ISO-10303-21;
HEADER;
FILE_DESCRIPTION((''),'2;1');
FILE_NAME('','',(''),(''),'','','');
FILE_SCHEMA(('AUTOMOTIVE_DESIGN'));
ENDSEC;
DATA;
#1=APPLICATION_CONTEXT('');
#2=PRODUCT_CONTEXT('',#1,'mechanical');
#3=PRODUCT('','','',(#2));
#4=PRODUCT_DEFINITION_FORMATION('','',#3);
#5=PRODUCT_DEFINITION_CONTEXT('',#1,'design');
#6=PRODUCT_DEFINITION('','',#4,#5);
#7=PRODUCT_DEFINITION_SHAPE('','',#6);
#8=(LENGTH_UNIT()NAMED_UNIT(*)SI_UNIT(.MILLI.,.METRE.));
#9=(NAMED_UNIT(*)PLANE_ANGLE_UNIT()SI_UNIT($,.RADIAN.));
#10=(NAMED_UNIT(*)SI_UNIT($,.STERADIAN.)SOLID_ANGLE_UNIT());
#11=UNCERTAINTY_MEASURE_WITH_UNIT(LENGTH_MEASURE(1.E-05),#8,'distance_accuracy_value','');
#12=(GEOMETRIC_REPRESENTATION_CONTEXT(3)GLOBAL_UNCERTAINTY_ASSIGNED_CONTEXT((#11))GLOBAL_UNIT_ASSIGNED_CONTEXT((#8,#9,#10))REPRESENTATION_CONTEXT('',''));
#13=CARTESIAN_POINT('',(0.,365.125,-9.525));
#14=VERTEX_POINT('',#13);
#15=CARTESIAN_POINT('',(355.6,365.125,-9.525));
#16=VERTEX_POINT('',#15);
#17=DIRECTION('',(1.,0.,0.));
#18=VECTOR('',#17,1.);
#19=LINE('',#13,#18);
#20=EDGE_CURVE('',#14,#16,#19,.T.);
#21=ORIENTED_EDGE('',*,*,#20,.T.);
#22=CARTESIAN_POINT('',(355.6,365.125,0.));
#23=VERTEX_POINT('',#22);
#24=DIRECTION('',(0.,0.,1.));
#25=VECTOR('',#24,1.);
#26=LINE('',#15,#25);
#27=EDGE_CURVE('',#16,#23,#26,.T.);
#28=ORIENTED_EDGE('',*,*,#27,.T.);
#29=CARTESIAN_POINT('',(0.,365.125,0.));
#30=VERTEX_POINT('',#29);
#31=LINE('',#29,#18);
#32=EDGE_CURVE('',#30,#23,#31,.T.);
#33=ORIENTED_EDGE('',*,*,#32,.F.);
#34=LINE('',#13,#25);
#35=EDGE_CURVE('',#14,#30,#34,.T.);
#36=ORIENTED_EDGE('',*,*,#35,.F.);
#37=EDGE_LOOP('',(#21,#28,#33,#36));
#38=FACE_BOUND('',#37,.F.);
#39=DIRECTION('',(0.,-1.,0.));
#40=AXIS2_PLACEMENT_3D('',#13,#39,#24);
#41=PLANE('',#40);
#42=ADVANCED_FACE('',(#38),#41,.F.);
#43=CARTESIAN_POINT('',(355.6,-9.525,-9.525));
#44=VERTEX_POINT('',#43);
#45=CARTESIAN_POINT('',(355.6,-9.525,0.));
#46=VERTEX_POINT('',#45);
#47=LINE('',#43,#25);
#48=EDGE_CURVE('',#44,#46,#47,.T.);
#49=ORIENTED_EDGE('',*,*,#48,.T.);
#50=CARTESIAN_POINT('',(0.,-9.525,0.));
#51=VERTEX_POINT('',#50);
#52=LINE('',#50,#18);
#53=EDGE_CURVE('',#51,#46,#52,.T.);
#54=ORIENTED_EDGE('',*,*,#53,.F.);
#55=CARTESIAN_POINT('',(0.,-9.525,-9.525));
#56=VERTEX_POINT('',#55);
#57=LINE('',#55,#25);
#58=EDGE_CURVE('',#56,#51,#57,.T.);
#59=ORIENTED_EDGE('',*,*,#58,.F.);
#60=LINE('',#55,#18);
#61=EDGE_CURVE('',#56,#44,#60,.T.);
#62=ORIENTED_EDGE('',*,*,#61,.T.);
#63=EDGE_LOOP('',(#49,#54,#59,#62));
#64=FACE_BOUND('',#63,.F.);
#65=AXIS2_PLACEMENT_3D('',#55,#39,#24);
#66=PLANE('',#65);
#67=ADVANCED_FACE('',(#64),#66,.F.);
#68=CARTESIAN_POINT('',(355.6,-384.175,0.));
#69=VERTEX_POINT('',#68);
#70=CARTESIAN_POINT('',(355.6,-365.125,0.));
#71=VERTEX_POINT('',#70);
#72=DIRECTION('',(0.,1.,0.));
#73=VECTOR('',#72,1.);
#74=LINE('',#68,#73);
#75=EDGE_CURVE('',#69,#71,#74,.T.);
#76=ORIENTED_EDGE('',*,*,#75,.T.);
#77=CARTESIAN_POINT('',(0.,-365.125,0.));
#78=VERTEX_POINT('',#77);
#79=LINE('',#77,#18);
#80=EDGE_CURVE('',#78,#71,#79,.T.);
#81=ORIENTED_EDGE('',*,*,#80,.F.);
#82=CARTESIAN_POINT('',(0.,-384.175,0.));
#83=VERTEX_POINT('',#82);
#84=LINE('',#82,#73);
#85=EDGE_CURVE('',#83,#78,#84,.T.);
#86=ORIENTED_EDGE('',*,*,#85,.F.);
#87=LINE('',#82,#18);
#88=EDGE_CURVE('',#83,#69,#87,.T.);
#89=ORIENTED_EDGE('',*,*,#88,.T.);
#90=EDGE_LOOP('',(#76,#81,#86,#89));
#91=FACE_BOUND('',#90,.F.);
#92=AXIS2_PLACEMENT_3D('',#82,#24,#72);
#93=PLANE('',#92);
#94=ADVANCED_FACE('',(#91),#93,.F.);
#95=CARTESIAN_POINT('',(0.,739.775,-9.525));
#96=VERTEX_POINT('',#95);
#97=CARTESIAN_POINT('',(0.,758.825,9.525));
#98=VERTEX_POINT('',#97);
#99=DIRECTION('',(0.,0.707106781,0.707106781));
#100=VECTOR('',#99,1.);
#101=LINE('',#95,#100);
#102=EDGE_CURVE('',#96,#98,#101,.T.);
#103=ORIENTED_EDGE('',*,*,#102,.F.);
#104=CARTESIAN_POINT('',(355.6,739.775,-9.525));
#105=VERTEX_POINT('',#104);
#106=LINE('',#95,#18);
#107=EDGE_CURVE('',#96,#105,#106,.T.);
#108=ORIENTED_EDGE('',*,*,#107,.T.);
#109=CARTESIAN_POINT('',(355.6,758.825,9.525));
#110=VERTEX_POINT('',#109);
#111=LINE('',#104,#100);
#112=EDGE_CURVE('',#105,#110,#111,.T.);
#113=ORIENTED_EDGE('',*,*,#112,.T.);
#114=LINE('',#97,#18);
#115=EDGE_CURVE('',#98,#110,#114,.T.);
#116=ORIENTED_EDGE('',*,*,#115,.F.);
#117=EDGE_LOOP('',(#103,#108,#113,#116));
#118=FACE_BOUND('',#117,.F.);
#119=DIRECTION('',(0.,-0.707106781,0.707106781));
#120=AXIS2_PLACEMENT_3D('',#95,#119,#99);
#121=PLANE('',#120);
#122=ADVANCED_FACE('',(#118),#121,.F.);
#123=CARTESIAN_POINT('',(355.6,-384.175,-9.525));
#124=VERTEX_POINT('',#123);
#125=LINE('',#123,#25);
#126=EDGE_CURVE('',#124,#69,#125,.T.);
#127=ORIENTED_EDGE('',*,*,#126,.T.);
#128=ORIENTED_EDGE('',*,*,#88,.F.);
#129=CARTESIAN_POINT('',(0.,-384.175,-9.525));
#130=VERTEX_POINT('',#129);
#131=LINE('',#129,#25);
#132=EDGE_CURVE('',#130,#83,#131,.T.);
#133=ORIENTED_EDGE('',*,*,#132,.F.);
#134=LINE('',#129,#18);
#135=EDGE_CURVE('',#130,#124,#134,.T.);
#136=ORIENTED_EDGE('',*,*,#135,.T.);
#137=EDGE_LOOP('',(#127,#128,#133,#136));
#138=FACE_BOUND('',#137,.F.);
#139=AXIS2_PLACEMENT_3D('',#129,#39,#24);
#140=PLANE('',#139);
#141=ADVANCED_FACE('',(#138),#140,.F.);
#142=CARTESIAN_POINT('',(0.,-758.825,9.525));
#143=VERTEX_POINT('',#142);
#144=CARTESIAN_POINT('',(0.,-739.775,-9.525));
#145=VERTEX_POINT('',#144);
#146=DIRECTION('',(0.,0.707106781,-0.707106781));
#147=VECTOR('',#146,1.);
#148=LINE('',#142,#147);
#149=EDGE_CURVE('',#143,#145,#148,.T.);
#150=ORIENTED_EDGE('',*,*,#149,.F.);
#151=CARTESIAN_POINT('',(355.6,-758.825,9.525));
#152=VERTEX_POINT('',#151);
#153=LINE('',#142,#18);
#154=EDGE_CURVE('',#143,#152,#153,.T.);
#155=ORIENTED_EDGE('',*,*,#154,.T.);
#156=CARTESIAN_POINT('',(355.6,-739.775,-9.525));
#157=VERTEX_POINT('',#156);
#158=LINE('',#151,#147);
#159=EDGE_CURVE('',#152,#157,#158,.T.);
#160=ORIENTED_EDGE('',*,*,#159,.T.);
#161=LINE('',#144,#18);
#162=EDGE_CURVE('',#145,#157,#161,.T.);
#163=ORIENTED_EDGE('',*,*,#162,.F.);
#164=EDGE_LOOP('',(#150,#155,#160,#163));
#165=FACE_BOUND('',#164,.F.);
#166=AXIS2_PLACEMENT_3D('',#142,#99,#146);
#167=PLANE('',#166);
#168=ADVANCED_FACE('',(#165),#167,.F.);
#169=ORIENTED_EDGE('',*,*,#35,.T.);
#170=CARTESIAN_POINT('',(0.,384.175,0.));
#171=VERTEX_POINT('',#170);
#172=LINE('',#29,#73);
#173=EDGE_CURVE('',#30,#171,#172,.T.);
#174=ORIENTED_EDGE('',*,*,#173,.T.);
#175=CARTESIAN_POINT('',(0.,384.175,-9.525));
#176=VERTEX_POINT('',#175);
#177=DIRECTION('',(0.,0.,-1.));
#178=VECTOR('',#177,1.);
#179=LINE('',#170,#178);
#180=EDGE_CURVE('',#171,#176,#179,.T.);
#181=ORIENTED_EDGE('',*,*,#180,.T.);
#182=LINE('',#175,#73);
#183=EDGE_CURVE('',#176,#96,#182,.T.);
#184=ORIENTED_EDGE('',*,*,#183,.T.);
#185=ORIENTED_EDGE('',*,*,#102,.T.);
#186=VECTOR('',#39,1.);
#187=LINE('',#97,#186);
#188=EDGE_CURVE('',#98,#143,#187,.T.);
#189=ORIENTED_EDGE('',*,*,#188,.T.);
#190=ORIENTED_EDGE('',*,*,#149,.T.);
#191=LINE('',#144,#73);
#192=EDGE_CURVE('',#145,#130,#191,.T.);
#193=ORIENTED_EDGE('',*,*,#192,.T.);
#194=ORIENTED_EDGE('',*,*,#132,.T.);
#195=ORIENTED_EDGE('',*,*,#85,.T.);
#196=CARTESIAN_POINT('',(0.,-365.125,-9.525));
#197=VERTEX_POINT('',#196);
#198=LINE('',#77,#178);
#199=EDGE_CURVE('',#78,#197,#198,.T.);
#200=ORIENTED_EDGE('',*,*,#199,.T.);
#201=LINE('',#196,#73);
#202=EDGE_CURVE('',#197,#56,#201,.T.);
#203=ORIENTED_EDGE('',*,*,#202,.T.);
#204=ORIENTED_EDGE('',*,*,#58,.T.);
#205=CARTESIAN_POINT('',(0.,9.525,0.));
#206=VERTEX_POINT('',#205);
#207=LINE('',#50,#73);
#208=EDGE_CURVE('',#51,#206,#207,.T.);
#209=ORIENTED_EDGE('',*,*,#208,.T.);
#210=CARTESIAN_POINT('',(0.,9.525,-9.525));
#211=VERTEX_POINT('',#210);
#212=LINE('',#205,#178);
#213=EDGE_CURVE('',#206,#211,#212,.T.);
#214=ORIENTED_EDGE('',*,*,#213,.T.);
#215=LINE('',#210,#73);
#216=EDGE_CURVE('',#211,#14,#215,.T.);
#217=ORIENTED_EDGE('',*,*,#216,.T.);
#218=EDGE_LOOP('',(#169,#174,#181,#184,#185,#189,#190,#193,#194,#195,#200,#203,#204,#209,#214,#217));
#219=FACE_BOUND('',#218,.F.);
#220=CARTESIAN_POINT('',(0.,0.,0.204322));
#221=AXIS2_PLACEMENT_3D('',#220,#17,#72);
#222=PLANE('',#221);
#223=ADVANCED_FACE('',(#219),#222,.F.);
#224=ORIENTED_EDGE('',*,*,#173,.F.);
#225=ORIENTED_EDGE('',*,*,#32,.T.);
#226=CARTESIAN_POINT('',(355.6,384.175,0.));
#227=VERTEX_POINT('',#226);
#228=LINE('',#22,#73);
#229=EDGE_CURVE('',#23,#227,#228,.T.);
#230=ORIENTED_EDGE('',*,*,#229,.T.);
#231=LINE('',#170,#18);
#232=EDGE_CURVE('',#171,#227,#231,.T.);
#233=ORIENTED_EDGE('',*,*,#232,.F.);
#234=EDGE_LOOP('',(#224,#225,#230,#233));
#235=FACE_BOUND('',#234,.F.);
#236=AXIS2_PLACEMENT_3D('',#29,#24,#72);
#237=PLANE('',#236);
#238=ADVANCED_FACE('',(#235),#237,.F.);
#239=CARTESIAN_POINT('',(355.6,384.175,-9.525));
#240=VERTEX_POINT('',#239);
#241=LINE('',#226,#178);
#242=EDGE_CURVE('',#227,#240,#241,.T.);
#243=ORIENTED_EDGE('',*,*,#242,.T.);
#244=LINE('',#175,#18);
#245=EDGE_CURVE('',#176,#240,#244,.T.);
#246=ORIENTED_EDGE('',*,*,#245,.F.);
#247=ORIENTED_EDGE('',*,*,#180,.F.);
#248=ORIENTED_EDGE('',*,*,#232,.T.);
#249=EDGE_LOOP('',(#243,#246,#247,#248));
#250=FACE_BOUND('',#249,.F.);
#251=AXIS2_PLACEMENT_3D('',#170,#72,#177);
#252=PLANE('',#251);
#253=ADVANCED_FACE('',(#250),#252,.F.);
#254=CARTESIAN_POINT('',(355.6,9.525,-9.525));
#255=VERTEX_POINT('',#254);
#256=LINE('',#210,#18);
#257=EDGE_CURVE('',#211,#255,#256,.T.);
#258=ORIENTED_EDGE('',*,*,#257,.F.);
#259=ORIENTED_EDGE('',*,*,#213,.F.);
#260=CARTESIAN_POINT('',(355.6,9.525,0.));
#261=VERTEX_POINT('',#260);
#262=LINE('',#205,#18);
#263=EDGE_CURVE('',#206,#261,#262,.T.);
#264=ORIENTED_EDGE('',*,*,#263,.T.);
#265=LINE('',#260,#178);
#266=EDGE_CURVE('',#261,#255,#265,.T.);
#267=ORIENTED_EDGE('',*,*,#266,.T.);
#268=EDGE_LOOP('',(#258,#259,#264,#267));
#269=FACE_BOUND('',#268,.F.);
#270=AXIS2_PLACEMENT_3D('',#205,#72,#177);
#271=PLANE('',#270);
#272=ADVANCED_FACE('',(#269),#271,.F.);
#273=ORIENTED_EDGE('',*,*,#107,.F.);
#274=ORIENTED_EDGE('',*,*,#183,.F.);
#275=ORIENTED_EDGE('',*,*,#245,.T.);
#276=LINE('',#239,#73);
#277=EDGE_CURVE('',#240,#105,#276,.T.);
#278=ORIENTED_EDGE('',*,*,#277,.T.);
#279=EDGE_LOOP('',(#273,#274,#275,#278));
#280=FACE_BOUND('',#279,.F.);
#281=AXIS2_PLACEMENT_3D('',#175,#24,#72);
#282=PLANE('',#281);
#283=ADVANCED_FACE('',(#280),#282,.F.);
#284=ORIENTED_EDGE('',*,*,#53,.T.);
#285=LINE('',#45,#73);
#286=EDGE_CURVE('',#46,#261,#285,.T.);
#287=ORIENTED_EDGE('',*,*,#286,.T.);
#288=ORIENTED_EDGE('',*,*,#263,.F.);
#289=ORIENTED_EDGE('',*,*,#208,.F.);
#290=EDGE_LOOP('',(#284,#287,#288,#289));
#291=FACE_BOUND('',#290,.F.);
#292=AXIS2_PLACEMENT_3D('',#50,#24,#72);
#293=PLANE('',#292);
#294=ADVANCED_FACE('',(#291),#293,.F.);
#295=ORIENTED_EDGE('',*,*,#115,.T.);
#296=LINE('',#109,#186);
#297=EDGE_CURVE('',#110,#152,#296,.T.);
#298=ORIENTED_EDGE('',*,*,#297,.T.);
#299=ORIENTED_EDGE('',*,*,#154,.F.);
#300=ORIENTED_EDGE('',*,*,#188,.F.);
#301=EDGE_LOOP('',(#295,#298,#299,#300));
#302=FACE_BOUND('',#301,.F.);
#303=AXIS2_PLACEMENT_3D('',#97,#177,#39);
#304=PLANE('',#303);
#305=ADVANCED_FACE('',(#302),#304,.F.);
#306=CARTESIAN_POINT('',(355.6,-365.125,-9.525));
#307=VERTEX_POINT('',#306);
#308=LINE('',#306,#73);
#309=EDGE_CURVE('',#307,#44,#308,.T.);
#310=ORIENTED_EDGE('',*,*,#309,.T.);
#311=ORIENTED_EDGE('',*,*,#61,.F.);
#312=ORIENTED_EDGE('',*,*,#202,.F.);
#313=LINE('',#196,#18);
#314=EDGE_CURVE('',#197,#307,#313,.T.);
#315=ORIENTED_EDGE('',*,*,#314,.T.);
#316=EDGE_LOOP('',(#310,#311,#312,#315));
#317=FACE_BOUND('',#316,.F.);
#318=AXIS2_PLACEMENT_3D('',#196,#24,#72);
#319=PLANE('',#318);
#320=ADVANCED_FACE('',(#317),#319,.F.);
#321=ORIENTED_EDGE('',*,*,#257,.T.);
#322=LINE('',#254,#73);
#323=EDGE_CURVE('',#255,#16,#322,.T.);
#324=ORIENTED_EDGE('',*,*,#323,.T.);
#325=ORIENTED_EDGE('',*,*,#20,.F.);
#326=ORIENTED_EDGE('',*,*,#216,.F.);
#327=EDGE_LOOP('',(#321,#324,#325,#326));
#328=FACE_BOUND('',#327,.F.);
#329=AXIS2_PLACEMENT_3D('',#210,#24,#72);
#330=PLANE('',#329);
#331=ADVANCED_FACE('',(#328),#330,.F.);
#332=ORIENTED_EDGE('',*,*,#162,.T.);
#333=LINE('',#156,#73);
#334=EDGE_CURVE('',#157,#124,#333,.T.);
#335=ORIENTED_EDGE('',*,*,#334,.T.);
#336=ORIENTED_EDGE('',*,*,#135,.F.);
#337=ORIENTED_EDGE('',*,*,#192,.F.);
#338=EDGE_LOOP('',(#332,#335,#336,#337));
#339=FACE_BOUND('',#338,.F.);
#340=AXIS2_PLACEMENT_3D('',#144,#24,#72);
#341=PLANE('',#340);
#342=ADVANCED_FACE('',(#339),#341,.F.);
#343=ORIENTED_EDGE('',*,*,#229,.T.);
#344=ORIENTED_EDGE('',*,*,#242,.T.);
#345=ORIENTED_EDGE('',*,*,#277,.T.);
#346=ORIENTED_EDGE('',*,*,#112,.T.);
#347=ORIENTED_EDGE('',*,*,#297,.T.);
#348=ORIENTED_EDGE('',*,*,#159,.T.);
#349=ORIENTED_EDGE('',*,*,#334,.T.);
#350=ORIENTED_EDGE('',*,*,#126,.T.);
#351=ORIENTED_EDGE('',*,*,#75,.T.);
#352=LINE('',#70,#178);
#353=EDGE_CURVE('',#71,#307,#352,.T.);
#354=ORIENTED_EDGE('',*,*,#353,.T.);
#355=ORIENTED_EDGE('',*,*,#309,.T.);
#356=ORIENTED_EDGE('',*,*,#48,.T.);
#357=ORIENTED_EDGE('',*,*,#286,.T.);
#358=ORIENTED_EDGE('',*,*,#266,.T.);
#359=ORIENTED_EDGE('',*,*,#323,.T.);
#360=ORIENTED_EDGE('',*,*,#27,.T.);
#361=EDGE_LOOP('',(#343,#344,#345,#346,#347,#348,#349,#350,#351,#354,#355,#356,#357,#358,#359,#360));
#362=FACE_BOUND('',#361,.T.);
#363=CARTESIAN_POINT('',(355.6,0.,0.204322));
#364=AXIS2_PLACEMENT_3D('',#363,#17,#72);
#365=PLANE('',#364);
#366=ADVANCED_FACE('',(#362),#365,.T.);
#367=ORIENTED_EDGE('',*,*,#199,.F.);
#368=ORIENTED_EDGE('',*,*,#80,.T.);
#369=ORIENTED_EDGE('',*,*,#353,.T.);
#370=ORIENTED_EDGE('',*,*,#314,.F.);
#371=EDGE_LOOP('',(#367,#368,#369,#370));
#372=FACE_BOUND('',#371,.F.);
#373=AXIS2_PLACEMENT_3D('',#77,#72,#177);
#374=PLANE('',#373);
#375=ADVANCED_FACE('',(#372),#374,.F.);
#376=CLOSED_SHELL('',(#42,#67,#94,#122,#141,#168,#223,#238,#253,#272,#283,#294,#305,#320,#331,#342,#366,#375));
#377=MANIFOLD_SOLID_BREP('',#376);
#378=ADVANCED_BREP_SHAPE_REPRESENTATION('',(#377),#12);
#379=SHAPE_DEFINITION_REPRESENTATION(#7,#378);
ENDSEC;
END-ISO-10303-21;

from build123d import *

# Parameters (mm, degrees)
F1_DEPTH = 355.6


with BuildPart() as f1:
    # F0 (on Right) → F1 (new body)
    with BuildSketch(Plane.YZ):
        Polygon((739.775, -9.525), (758.825, 9.525), (-758.825, 9.525), (-739.775, -9.525), (-384.175, -9.525), (-384.175, 0), (-365.125, 0), (-365.125, -9.525), (-9.525, -9.525), (-9.525, 0), (0, 0), (9.525, 0), (9.525, -9.525), (365.125, -9.525), (365.125, 0), (384.175, 0), (384.175, -9.525), align=None)
    extrude(amount=F1_DEPTH)


solid = f1.part
